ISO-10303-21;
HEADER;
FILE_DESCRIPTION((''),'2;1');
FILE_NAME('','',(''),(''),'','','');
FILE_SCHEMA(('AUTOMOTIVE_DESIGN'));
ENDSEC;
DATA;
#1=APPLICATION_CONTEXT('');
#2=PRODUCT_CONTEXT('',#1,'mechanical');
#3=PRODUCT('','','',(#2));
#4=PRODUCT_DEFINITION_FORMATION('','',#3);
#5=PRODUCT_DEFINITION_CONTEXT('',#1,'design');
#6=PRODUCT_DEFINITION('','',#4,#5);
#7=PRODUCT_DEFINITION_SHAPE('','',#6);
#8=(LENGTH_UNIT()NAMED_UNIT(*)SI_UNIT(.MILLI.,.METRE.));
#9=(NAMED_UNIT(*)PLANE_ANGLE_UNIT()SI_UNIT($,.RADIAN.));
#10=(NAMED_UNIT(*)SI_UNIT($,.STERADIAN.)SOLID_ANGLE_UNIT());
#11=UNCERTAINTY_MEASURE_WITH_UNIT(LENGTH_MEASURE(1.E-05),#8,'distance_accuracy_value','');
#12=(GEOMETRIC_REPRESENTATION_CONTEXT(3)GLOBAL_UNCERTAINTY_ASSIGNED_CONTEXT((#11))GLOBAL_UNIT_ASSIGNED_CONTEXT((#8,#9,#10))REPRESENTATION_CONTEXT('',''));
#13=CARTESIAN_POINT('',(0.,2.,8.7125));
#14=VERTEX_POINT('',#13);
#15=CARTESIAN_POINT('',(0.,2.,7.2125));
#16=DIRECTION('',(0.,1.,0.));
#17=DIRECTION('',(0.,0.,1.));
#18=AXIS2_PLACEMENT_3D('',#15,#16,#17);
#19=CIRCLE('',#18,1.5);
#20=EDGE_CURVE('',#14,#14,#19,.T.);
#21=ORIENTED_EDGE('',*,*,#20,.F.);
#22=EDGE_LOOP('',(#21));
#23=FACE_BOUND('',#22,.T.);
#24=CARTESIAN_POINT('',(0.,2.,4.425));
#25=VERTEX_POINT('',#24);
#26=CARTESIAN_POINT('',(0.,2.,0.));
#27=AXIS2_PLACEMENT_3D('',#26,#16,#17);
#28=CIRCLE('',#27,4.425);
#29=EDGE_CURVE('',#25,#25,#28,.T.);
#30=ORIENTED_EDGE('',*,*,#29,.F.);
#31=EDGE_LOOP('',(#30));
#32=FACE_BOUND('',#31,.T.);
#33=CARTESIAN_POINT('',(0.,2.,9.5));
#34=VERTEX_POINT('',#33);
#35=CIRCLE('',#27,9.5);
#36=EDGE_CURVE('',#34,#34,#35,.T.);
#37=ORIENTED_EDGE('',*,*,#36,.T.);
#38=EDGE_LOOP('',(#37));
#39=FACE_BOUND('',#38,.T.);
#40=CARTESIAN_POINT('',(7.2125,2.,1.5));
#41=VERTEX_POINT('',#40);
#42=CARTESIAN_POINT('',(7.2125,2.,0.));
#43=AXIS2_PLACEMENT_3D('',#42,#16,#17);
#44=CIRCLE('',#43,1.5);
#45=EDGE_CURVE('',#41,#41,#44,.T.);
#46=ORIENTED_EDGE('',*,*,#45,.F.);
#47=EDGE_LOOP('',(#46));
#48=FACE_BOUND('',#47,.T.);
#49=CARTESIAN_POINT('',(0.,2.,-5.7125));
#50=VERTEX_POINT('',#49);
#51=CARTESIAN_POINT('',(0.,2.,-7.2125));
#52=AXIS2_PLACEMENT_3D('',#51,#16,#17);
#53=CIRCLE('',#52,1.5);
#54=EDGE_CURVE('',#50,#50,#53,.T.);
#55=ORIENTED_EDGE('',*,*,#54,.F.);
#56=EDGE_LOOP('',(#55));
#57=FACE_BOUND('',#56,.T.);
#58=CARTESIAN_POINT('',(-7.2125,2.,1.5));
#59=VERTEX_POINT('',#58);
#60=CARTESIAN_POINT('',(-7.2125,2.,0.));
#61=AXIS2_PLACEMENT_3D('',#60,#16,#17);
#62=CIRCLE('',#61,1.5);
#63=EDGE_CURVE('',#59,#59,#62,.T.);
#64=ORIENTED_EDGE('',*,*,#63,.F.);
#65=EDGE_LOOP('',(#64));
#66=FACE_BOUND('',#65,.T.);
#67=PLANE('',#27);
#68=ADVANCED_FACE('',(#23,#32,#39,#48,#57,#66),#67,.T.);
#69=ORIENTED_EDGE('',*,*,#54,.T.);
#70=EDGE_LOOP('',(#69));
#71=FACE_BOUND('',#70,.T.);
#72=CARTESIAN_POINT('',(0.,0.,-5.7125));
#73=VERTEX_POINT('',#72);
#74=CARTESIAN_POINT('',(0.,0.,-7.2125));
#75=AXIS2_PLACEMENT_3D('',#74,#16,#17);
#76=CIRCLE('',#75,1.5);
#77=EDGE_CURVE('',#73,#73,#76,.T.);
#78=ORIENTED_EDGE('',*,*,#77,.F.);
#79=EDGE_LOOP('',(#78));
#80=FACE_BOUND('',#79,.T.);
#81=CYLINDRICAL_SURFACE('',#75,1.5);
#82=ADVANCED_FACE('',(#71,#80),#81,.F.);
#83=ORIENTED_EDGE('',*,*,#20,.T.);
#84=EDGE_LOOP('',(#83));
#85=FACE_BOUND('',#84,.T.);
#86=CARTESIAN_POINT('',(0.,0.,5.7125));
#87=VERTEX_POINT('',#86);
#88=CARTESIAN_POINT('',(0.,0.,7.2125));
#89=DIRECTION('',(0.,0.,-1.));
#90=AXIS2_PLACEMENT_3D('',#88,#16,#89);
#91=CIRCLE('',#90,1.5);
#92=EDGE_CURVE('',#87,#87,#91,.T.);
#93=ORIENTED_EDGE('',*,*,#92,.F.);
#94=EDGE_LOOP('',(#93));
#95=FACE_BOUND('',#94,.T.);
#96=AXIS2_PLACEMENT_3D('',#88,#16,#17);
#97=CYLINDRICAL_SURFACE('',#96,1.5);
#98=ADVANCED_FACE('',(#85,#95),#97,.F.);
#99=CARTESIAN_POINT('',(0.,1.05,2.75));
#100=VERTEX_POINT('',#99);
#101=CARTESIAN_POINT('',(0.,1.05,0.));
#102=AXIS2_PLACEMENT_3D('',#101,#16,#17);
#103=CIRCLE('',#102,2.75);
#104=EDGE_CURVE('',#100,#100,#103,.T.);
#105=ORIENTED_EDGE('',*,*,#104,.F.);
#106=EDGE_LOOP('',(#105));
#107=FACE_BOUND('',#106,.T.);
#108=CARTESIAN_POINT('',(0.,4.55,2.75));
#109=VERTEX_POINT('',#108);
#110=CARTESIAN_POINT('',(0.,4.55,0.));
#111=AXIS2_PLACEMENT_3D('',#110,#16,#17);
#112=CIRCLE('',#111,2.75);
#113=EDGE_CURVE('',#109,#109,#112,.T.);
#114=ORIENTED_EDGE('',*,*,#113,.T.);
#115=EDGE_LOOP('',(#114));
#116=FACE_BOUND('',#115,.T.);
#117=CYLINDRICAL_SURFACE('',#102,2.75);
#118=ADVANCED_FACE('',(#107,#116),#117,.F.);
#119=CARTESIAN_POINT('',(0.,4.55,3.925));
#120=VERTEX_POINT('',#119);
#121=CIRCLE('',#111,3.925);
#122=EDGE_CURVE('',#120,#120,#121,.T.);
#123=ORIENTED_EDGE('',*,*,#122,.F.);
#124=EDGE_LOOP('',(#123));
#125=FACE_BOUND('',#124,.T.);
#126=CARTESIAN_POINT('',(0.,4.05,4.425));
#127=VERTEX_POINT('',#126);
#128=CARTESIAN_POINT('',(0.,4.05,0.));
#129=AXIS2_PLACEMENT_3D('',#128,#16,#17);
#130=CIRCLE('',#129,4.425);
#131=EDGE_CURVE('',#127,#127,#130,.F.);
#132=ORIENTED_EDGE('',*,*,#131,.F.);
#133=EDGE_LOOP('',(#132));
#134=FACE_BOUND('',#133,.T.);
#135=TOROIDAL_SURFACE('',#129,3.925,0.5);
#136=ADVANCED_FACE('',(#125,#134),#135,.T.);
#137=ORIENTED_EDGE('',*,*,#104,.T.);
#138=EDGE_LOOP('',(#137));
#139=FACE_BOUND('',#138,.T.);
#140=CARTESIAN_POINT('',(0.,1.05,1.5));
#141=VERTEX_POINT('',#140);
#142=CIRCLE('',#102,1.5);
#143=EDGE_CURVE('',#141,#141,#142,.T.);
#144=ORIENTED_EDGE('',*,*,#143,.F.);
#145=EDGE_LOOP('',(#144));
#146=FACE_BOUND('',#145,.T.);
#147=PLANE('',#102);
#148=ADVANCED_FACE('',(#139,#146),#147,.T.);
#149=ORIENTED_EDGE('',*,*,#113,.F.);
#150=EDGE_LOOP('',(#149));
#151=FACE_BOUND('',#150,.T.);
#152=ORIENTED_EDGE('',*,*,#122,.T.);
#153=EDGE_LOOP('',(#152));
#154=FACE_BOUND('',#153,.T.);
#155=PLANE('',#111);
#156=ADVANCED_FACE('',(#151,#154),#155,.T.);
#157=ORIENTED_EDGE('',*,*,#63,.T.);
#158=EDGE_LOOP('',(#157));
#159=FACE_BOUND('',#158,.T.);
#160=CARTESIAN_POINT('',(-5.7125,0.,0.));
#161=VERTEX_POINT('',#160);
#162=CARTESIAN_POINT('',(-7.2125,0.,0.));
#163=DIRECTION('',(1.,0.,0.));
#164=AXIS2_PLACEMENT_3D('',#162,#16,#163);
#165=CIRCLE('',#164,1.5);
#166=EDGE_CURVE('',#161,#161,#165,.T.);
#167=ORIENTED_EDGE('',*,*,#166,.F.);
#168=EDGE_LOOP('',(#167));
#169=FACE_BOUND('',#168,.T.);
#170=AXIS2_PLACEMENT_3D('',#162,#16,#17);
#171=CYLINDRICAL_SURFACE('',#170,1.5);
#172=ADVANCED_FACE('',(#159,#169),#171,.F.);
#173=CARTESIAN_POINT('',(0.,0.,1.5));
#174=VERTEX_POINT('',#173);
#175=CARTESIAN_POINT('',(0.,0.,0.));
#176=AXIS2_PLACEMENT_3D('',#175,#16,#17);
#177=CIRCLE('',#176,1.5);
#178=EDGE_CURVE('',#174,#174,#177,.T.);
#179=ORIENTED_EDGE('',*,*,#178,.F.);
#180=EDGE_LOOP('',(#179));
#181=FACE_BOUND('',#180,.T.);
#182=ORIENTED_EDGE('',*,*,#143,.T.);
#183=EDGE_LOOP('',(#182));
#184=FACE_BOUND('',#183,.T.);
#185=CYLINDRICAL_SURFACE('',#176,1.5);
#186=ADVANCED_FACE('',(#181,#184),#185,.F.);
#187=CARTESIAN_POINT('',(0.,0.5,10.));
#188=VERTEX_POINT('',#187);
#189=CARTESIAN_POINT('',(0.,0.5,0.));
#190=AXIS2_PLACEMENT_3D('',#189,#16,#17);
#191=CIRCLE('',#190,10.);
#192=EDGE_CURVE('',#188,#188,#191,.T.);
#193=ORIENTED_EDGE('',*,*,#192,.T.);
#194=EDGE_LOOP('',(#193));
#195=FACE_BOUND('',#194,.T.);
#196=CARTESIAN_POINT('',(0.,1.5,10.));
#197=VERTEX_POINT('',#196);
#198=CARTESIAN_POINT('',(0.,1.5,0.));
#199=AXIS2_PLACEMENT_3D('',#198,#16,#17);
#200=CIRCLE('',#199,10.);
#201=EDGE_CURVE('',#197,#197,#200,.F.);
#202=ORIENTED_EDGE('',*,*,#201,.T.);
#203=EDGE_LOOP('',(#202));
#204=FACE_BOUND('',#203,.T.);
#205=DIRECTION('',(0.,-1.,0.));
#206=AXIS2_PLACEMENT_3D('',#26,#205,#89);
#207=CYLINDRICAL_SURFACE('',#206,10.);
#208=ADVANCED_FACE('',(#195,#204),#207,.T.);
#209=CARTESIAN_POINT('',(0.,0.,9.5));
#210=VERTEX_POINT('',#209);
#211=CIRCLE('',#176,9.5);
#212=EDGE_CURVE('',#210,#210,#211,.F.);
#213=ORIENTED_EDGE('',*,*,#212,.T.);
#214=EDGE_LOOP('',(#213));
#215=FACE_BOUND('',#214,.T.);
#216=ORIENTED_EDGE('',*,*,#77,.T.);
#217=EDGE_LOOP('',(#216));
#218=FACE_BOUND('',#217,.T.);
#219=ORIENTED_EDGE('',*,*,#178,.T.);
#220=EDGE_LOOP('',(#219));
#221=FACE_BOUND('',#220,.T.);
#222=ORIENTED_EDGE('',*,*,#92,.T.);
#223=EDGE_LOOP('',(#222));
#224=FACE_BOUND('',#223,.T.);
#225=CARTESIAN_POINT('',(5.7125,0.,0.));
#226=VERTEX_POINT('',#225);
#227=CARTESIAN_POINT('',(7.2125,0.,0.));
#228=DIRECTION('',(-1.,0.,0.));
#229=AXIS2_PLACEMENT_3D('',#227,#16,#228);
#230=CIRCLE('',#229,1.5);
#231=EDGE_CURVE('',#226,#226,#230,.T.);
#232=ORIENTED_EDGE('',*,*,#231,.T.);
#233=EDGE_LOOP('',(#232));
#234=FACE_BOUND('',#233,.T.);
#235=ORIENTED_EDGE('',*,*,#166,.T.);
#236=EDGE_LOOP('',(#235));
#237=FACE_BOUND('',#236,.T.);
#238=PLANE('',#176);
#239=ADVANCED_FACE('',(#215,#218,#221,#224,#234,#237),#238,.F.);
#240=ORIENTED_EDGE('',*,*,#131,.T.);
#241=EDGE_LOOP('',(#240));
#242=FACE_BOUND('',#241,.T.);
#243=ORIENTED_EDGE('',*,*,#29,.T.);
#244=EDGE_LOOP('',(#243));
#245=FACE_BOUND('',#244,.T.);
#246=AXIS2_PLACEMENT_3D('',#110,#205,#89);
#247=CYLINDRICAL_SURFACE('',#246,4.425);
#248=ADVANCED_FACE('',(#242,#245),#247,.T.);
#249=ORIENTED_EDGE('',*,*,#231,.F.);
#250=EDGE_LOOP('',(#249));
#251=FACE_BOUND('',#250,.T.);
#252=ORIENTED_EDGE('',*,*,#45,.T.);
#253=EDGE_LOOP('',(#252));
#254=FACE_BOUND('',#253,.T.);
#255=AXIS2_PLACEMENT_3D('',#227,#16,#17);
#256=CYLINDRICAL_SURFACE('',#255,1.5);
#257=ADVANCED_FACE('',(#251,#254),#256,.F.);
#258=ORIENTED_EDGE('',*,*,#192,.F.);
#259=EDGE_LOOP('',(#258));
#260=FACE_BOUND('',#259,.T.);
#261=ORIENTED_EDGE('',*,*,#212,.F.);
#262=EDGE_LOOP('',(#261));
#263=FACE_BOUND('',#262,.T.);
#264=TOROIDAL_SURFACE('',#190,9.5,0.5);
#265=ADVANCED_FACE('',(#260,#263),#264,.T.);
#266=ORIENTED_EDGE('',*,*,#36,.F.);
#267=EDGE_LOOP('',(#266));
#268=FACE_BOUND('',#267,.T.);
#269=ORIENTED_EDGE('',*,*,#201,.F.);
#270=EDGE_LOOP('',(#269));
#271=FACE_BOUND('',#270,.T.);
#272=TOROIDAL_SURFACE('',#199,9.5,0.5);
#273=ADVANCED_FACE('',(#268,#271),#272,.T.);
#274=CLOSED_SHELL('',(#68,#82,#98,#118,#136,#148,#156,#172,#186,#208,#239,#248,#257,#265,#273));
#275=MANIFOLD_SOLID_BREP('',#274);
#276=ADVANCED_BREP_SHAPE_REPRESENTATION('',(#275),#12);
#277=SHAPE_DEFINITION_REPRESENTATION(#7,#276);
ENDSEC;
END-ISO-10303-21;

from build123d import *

# Parameters (mm, degrees)
SKETCH1_R               = 10
SKETCH1_R_2             = 4.425
BOSS_EXTRUDE1_DEPTH     = 2
SKETCH1_2_R             = 4.425
BOSS_EXTRUDE2_DEPTH     = 4.55
SKETCH2_R               = 2.75
CUT_EXTRUDE1_DEPTH      = 3.5
CUT_EXTRUDE2_DEPTH      = 15.85605937
CUT_EXTRUDE2_DEPTH_BACK = 15.85605937
SKETCH2_3_R             = 1.5
SKETCH3_R               = 1.5
CUT_EXTRUDE3_DEPTH      = 15.370194849
CIRPATTERN1_COUNT       = 4
FILLET1_R               = 0.5


with BuildPart() as part:
    # Sketch1 → Boss-Extrude1 (new body)
    with BuildSketch(Plane(origin=(0, 0, 0), x_dir=(1, 0, 0), z_dir=(0, 1, 0))):
        Circle(SKETCH1_R)
        Circle(SKETCH1_R_2, mode=Mode.SUBTRACT)
    extrude(amount=BOSS_EXTRUDE1_DEPTH)

    # Sketch1<2> → Boss-Extrude2 (add)
    with BuildSketch(Plane(origin=(0, 0, 0), x_dir=(1, 0, 0), z_dir=(0, 1, 0))):
        Circle(SKETCH1_2_R)
    extrude(amount=BOSS_EXTRUDE2_DEPTH)

    # Sketch2 → Cut-Extrude1 (cut)
    with BuildSketch(Plane(origin=(0, 4.55, 0), x_dir=(1, 0, 0), z_dir=(0, 1, 0))):
        Circle(SKETCH2_R)
    extrude(amount=-CUT_EXTRUDE1_DEPTH, mode=Mode.SUBTRACT)

    # Sketch2<3> → Cut-Extrude2 (cut, two sides: drawn at the far end of the back side and taken through both)
    with BuildSketch(Plane(origin=(0, 4.55, 0), x_dir=(1, 0, 0), z_dir=(0, 1, 0)).offset(-CUT_EXTRUDE2_DEPTH_BACK)):
        Circle(SKETCH2_3_R)
    extrude(amount=CUT_EXTRUDE2_DEPTH + CUT_EXTRUDE2_DEPTH_BACK, mode=Mode.SUBTRACT)

    # Sketch3 → Cut-Extrude3 (cut, symmetric)
    with BuildSketch(Plane(origin=(0, 2, 0), x_dir=(1, 0, 0), z_dir=(0, 1, 0))):
        with Locations((0, 7.2125)):
            Circle(SKETCH3_R)
    cut_extrude3 = extrude(amount=CUT_EXTRUDE3_DEPTH, both=True, mode=Mode.SUBTRACT)

    # CirPattern1: Cut-Extrude3 ×4 about axis
    cirpattern1_axis = Axis((0, 4.55, 0), (0, -1, 0))
    for i in range(1, CIRPATTERN1_COUNT):
        add(cut_extrude3.rotate(cirpattern1_axis, i * 360 / CIRPATTERN1_COUNT), mode=Mode.SUBTRACT)

    # Fillet1
    fillet1_edges = [part.edges().sort_by_distance(p)[0] for p in [
        (-4.425, 4.55, 0),
        (-10, 2, 0),
        (-10, 0, 0),
    ]]
    fillet(fillet1_edges, radius=FILLET1_R)


solid = part.part
